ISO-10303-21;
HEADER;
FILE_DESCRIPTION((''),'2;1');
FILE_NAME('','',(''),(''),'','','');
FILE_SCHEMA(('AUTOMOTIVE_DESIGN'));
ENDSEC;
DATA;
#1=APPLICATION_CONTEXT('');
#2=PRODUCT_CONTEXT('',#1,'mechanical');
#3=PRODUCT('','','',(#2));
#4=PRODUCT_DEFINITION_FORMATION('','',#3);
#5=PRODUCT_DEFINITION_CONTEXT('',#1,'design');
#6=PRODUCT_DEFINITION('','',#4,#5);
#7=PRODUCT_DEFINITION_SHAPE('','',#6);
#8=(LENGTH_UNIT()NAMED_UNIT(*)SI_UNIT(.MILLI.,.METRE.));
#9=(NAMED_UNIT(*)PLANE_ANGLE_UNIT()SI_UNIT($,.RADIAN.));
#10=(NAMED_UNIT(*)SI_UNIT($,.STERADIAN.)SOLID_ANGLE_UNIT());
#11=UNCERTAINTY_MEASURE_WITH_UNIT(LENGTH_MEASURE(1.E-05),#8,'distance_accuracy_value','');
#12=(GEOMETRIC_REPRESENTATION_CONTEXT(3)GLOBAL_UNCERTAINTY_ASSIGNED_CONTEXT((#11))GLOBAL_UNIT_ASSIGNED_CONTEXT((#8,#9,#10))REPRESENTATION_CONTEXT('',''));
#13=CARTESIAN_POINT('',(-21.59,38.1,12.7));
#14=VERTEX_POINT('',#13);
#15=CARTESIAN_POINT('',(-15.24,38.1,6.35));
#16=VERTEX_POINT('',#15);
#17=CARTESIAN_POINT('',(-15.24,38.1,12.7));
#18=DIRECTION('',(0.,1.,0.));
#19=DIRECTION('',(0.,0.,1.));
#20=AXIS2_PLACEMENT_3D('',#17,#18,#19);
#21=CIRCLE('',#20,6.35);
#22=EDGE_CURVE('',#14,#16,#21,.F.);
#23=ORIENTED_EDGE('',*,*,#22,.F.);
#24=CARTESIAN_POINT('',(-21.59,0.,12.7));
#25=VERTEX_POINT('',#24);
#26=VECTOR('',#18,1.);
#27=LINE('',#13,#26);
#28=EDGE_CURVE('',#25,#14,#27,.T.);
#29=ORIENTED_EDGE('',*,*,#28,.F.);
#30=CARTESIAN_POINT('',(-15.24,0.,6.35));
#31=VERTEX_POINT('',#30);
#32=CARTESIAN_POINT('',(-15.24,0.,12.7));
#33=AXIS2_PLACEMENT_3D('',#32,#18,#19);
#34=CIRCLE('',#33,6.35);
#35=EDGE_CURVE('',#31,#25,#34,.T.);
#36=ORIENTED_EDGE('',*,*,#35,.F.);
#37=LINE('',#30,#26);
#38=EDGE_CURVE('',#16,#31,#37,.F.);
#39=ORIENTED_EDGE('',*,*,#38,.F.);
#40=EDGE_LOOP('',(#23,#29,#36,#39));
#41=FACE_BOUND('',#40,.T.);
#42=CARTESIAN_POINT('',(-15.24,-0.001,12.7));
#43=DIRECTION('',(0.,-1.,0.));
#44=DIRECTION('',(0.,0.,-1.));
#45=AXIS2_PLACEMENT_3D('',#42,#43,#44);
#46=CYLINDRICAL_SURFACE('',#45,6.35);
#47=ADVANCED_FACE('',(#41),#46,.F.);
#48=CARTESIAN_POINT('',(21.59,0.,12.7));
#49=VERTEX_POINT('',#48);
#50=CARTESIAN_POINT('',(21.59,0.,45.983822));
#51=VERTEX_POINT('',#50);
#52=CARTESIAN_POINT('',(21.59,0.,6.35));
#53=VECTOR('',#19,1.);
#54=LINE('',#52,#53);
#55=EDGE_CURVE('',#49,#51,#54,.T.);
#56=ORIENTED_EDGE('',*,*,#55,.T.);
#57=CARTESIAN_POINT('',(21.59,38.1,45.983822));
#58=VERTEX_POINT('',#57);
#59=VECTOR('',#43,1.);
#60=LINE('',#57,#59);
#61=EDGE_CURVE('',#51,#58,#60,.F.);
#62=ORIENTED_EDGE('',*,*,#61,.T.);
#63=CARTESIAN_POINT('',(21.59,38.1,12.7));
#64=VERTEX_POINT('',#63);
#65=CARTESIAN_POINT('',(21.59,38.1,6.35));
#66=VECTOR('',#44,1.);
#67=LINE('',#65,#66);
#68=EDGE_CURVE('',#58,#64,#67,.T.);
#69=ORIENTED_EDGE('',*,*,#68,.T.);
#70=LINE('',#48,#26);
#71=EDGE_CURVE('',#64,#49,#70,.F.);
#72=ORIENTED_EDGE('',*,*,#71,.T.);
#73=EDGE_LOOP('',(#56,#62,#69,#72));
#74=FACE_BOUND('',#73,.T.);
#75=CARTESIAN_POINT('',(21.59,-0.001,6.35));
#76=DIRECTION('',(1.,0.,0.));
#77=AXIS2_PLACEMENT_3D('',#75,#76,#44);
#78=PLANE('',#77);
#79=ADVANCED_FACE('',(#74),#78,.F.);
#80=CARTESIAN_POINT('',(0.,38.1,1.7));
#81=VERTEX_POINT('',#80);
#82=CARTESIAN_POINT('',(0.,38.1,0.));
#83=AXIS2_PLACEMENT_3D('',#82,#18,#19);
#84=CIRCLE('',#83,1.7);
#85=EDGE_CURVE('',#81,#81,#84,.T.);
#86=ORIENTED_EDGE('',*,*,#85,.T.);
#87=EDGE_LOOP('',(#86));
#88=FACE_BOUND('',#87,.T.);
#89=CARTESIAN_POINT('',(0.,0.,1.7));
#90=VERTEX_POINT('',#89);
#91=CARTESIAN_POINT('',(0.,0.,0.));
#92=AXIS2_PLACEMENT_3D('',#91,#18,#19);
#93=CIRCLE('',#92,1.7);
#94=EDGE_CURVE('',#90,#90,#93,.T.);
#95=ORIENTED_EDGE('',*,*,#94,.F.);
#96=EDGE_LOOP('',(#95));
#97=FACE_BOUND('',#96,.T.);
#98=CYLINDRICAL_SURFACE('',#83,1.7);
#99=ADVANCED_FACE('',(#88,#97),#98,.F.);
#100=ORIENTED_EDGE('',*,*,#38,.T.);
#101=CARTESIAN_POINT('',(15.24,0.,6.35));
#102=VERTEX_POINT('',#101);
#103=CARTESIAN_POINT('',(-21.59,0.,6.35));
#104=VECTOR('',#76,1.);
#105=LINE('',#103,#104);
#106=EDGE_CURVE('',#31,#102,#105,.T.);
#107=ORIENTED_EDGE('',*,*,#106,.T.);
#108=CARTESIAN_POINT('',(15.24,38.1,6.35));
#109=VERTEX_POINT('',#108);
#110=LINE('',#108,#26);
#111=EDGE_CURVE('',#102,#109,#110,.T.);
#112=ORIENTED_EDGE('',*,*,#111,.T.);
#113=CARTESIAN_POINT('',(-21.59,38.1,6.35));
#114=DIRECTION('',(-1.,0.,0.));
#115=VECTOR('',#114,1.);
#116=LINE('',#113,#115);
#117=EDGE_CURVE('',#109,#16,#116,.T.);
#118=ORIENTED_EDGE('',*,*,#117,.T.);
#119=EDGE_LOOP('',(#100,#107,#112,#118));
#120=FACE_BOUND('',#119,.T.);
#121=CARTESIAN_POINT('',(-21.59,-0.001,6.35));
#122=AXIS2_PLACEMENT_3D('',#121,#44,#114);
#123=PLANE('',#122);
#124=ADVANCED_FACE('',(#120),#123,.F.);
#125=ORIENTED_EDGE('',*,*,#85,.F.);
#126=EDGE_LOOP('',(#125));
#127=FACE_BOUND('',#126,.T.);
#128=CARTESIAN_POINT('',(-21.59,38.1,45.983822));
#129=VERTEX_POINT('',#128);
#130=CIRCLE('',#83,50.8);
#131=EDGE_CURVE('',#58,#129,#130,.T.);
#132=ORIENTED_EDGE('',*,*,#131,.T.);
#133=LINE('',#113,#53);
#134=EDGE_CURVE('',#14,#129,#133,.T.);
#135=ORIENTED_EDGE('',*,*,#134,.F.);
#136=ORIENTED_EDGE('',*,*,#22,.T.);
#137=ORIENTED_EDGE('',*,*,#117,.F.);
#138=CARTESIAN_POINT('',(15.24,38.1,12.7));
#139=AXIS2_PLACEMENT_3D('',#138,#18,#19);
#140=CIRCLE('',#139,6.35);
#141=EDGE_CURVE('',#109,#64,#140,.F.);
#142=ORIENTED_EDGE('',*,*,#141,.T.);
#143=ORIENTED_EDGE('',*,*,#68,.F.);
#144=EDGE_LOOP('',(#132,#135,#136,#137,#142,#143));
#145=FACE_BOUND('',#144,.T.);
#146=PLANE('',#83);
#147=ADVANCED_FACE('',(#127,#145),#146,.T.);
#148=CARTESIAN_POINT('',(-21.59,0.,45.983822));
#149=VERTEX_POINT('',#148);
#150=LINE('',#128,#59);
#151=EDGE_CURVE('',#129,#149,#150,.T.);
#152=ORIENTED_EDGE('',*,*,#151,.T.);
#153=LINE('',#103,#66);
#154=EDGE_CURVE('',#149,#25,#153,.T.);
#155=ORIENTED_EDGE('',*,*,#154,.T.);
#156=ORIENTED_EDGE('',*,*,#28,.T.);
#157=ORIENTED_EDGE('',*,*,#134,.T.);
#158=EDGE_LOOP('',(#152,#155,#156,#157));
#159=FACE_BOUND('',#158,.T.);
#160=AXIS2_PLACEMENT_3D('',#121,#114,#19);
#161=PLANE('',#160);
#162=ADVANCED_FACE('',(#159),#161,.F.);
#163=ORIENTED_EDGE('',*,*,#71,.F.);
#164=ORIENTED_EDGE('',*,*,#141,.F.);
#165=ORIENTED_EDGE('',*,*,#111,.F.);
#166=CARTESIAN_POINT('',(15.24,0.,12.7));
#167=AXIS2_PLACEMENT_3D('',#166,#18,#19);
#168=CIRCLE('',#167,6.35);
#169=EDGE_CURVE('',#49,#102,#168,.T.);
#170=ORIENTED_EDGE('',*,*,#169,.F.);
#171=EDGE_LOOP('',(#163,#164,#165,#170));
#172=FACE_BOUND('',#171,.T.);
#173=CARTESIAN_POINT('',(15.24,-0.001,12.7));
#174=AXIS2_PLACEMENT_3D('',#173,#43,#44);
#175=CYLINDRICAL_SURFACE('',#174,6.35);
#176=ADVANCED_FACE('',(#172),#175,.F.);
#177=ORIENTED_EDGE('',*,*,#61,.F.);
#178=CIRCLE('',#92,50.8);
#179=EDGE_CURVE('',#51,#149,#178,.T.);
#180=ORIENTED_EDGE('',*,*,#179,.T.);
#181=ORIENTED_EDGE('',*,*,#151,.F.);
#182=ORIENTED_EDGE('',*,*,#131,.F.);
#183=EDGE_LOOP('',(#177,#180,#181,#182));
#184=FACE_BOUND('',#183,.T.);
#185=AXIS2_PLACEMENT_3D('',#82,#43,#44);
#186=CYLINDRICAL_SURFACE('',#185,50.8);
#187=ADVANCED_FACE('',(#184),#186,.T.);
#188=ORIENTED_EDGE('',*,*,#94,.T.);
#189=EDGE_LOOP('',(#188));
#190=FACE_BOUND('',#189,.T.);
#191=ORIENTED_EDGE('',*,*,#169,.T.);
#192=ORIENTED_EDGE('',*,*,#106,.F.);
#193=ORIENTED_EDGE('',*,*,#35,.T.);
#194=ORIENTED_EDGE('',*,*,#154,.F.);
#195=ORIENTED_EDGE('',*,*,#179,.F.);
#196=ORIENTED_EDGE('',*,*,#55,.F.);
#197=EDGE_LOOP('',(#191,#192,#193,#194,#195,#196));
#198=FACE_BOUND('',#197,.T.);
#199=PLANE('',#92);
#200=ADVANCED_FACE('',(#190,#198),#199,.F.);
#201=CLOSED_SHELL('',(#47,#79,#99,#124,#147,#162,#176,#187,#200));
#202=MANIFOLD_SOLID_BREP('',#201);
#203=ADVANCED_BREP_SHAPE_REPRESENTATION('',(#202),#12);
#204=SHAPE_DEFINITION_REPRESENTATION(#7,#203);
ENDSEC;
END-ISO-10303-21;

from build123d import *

# Parameters (mm, degrees)
SKETCH1_R            = 50.8
BOSS_EXTRUDE1_DEPTH  = 38.1
CUT_EXTRUDE1_REACH   = 83.32
SKETCH2_W            = 43.18
SKETCH2_H            = 44.45
FILLET1_R            = 6.35
M3_CLEARANCE_HOLE1_D = 3.4


with BuildPart() as part:
    # Sketch1 → Boss-Extrude1 (new body)
    with BuildSketch(Plane(origin=(0, 0, 0), x_dir=(1, 0, 0), z_dir=(0, 1, 0))):
        with Locations(Location((0, 0, 0), (0, 0, 90))):
            Circle(SKETCH1_R)
    extrude(amount=BOSS_EXTRUDE1_DEPTH)

    # Sketch2 → Cut-Extrude1 (cut, up to next)
    with BuildSketch(Plane(origin=(0, 38.1, 0), x_dir=(1, 0, 0), z_dir=(0, 1, 0)), mode=Mode.PRIVATE) as cut_extrude1_sk1:
        with Locations((0, -28.575)):
            Rectangle(SKETCH2_W, SKETCH2_H)
    cut_extrude1_tool1 = extrude(cut_extrude1_sk1.sketch, amount=-CUT_EXTRUDE1_REACH, mode=Mode.PRIVATE) & part.part
    add(cut_extrude1_tool1.solids().sort_by_distance((0, 38.1, 28.575))[0], mode=Mode.SUBTRACT)

    # Fillet1
    fillet1_edges = [part.edges().sort_by_distance(p)[0] for p in [
        (-21.59, 19.05, 6.35),
        (21.59, 19.05, 6.35),
    ]]
    fillet(fillet1_edges, radius=FILLET1_R)

    # M3 Clearance Hole1 (through all)
    with Locations(Plane(origin=(0, 38.1, 0), x_dir=(1, 0, 0), z_dir=(0, 1, 0))):
        with Locations((0, 0)):
            Hole(M3_CLEARANCE_HOLE1_D / 2)


solid = part.part
